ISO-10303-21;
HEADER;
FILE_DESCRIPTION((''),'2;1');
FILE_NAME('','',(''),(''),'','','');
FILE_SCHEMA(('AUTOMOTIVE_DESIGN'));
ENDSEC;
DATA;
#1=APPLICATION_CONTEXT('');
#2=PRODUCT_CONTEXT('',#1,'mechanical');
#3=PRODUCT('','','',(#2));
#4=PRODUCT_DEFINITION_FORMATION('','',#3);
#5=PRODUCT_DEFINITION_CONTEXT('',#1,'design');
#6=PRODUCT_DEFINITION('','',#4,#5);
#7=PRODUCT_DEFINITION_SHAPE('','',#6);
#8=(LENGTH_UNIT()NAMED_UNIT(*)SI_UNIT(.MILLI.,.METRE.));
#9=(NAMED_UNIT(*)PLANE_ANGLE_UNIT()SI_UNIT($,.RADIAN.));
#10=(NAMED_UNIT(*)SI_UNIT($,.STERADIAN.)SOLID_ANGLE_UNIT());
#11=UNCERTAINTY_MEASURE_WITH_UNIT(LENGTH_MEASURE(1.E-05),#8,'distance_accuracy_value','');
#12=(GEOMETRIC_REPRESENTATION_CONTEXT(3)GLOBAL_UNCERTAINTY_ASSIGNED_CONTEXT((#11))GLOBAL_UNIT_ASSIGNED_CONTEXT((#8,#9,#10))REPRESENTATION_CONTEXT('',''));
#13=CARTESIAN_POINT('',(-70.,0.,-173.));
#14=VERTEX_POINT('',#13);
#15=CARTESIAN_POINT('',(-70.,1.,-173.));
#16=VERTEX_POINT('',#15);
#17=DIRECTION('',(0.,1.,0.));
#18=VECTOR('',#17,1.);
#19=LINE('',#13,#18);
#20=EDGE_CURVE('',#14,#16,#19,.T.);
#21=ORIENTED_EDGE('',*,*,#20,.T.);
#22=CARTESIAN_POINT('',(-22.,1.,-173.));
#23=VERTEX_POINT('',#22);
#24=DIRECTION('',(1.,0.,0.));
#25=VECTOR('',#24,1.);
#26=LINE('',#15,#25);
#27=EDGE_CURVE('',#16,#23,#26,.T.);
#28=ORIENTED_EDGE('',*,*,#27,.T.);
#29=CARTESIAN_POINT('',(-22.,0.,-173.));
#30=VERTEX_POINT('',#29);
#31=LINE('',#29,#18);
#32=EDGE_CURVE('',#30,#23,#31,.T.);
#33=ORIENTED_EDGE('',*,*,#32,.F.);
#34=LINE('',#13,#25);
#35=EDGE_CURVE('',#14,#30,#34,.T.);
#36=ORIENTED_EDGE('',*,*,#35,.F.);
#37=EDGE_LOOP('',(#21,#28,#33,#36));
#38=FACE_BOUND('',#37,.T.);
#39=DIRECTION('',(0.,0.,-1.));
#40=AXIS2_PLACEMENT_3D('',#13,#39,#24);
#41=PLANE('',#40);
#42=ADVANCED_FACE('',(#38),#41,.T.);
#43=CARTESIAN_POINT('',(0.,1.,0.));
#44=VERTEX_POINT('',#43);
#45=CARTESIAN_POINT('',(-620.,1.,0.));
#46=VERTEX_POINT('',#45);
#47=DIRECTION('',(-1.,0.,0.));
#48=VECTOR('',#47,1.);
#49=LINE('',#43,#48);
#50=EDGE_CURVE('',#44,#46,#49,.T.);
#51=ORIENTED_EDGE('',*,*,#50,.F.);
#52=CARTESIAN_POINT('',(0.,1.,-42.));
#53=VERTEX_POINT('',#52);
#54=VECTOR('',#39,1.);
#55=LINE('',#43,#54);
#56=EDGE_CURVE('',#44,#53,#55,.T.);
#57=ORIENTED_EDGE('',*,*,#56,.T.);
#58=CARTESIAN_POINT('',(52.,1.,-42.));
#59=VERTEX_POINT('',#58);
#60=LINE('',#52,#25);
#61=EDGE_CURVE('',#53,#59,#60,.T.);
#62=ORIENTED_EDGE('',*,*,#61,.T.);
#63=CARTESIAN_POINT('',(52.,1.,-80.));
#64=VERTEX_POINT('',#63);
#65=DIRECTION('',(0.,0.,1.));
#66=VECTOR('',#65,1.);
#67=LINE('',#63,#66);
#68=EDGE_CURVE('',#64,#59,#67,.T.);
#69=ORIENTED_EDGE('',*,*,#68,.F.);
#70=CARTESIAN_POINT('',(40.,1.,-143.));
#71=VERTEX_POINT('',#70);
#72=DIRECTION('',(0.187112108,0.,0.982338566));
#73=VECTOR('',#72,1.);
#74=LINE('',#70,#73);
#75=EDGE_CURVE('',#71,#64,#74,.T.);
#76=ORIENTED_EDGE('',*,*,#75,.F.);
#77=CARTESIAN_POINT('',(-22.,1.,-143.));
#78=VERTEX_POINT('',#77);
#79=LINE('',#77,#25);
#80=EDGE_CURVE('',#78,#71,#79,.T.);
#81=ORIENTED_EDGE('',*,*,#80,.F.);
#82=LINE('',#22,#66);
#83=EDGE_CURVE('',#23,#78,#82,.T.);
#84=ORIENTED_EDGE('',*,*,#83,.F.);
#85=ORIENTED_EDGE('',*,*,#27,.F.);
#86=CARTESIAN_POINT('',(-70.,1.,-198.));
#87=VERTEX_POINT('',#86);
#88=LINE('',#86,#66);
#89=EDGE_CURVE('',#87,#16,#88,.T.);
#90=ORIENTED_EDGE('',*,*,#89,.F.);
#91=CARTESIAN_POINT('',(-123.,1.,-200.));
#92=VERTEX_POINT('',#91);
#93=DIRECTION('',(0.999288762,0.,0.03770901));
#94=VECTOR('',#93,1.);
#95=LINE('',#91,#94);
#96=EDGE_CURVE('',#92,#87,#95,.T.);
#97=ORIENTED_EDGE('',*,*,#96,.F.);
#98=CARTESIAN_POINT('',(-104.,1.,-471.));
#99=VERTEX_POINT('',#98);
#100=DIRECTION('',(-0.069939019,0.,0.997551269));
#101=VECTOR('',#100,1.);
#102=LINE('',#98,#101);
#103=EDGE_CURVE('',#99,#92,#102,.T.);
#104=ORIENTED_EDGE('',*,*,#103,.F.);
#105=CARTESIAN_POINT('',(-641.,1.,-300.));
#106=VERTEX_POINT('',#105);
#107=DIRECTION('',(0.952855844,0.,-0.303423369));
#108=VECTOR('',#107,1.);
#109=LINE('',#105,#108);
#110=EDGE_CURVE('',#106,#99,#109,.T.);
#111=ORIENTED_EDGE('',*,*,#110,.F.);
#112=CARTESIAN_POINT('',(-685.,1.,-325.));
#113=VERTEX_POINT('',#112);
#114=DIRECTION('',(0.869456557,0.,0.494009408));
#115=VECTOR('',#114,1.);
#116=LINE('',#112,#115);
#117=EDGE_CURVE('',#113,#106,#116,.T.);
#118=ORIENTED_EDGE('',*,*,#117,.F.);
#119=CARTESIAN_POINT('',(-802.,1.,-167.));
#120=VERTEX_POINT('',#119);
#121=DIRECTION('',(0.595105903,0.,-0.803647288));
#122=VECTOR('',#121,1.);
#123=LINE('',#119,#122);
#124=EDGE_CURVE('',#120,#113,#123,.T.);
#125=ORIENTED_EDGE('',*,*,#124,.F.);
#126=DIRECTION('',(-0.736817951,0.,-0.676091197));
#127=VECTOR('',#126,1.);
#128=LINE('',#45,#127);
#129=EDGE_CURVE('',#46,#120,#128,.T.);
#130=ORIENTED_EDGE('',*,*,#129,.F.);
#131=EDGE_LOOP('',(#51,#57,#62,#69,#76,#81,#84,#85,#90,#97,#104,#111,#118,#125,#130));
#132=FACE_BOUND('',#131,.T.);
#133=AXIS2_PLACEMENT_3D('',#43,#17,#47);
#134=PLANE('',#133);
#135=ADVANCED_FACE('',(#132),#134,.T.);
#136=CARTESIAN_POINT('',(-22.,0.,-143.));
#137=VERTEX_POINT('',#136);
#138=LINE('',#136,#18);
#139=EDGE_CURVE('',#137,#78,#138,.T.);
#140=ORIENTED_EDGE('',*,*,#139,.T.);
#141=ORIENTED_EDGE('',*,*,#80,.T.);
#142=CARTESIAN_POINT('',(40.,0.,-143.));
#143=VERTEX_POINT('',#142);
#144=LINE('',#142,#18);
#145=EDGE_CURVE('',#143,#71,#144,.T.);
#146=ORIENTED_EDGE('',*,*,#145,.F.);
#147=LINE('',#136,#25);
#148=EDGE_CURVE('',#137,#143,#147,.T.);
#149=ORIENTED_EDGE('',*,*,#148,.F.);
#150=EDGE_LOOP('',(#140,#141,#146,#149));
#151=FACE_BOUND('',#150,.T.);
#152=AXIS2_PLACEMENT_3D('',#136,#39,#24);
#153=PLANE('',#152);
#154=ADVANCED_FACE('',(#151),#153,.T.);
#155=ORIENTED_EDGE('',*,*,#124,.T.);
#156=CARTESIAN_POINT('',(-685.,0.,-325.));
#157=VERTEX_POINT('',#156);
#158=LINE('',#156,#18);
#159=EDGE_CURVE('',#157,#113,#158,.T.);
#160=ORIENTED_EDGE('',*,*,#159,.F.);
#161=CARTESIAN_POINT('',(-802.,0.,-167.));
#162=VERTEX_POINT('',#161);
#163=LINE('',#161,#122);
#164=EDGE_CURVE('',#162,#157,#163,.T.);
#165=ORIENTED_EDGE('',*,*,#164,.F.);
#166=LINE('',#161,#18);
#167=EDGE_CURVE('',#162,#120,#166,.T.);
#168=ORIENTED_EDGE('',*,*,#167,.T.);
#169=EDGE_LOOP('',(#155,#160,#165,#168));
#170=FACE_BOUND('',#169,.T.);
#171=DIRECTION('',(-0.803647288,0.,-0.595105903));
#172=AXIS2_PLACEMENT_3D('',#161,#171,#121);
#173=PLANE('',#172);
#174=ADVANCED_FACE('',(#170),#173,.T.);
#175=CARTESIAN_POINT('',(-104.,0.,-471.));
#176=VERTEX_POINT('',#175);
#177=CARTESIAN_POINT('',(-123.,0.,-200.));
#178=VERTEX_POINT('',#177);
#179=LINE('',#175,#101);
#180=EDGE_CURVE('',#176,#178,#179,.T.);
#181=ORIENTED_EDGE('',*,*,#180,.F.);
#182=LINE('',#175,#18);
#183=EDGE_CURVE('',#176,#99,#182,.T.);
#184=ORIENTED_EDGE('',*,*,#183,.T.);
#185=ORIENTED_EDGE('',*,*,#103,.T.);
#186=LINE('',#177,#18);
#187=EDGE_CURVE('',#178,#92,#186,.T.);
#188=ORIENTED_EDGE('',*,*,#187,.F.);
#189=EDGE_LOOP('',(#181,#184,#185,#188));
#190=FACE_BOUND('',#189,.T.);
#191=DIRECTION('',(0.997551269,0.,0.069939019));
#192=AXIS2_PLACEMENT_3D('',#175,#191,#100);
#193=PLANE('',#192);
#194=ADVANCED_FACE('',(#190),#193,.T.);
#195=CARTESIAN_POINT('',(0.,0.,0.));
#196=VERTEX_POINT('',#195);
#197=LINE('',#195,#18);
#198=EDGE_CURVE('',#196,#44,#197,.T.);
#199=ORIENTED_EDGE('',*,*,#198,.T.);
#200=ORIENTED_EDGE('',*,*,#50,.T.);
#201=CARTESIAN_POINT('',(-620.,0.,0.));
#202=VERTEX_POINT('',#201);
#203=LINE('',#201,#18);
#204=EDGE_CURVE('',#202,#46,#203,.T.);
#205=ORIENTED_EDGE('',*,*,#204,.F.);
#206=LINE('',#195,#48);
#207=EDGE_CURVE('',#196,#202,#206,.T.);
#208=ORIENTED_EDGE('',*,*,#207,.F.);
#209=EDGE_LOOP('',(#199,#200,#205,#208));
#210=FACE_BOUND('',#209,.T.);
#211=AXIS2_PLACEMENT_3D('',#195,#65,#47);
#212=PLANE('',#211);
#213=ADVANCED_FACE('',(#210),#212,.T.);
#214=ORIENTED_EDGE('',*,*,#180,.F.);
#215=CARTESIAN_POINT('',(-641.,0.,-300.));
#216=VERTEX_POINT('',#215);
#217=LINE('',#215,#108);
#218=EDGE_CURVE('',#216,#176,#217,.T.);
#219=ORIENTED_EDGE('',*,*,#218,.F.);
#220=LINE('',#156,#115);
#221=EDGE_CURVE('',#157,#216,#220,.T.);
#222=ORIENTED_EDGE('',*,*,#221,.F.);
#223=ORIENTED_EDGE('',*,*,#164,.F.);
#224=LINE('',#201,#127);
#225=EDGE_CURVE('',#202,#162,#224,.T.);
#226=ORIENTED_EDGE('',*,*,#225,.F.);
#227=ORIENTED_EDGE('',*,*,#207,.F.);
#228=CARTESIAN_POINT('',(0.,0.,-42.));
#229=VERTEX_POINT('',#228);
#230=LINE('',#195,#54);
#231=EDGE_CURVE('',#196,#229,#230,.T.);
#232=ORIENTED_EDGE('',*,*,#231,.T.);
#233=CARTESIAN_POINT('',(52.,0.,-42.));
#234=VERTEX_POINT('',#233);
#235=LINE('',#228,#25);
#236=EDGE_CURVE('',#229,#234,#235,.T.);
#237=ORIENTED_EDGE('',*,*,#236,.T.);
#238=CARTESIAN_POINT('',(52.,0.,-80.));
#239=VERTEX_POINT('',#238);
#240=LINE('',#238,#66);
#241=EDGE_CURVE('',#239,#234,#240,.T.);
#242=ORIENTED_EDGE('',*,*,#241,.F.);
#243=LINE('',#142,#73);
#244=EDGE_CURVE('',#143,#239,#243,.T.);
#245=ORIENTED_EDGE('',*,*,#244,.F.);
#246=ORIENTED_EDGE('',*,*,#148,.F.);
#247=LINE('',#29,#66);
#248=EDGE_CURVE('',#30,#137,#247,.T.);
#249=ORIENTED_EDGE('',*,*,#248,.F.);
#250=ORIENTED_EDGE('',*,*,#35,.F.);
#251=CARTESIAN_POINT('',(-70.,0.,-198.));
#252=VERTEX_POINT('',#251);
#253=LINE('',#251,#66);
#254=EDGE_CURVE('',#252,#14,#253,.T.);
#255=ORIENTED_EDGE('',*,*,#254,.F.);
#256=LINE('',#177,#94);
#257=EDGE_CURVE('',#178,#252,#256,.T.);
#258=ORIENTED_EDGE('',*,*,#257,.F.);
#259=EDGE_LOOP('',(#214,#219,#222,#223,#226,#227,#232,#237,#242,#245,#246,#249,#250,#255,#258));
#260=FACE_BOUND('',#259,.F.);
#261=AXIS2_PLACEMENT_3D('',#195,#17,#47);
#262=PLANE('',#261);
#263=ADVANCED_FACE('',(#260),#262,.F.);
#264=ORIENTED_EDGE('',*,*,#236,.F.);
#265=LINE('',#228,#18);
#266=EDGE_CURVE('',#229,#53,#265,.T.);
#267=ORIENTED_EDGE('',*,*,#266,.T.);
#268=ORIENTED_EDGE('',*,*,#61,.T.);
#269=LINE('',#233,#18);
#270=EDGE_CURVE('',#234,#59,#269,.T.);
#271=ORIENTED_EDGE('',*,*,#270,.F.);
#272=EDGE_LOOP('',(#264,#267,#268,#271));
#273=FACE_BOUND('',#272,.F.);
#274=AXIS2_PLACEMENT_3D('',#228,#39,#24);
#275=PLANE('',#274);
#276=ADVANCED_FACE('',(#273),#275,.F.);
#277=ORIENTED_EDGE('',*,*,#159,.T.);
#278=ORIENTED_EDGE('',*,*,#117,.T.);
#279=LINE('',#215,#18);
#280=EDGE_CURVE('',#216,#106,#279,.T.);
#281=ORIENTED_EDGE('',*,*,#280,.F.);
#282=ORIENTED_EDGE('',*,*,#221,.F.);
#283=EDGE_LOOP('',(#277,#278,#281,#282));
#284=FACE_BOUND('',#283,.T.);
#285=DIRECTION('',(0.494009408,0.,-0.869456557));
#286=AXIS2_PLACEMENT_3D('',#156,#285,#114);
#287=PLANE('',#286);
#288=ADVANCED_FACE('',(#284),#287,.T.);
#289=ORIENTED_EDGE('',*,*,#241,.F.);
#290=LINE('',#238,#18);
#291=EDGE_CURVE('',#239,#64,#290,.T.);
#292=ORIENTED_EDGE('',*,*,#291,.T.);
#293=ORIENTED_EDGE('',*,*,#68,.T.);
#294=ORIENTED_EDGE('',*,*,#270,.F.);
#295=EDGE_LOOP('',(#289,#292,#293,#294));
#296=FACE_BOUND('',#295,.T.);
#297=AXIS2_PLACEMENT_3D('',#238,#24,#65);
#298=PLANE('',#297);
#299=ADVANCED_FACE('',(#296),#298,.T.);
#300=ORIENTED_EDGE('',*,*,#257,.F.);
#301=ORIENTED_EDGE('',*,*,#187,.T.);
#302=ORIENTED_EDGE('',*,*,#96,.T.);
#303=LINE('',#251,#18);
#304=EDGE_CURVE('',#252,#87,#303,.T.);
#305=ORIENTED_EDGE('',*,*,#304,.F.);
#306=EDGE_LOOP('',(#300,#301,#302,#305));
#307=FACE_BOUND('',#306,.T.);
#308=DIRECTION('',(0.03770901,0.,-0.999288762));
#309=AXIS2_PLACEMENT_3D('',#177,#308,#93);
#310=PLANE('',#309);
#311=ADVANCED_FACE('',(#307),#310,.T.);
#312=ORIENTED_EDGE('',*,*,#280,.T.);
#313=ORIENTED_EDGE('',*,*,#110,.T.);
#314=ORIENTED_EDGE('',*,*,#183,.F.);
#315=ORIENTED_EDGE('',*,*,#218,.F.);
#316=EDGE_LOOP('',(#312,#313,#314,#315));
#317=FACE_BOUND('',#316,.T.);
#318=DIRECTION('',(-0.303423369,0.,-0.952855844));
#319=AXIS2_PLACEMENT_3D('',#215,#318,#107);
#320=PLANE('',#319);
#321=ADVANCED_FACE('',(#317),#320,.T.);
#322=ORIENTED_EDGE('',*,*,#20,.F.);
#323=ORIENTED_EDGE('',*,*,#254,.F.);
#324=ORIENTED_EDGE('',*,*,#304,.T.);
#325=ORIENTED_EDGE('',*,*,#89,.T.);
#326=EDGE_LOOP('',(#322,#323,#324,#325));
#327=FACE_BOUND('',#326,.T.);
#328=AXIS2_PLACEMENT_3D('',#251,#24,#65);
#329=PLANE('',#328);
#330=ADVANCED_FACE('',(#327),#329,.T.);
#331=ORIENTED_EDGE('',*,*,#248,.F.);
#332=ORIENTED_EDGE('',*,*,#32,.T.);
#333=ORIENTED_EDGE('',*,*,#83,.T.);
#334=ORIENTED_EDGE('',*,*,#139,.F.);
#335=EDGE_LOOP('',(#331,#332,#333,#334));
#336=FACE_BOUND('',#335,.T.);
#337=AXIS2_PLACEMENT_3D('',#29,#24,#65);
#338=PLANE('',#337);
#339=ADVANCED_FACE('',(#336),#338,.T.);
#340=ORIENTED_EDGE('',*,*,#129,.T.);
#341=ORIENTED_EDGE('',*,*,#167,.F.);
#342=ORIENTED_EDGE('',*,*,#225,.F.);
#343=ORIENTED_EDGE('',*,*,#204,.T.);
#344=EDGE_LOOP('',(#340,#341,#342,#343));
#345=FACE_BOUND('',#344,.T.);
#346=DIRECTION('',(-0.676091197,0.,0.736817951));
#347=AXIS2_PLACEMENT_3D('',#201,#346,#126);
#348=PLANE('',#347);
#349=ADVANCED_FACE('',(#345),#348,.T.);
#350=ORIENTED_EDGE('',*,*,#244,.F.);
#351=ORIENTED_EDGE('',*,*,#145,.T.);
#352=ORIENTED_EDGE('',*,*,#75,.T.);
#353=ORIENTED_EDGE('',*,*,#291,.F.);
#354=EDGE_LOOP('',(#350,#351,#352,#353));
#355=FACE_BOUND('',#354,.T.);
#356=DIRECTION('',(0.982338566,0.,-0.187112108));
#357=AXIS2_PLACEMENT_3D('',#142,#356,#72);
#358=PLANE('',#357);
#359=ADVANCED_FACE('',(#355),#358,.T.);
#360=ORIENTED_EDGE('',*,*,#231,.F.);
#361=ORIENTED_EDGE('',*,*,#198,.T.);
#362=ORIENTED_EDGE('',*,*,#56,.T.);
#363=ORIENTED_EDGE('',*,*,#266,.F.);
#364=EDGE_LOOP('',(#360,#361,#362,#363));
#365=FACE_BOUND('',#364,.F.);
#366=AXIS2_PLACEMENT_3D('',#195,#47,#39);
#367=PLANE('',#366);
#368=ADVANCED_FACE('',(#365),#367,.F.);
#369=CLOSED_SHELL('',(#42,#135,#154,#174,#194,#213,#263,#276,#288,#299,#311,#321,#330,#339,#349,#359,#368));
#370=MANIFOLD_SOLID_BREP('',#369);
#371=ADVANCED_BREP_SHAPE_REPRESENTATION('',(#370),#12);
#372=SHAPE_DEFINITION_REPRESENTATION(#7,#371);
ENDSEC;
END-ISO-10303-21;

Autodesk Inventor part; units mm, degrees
ref_plane "YZ Plane" through (0, 0, 0) normal (1, 0, 0) x (0, 1, 0)
ref_plane "XZ Plane" through (0, 0, 0) normal (0, 1, 0) x (-1, 0, 0)
ref_plane "XY Plane" through (0, 0, 0) normal (0, 0, 1) x (1, 0, 0)
sketch "Sketch1" plane through (0, 0, 0) normal (0, 1, 0) x (-1, 0, 0)
  line L0 (0, 0) -> (620, 0)
  line L1 (620, 0) -> (802, -167)
  line L2 (802, -167) -> (685, -325)
  line L3 (685, -325) -> (641, -300)
  line L4 (641, -300) -> (104, -471)
  line L5 (104, -471) -> (123, -200)
  line L6 (123, -200) -> (70, -198)
  line L7 (70, -198) -> (70, -173)
  line L8 (70, -173) -> (22, -173)
  line L9 (22, -173) -> (22, -143)
  line L10 (22, -143) -> (-40, -143)
  line L11 (-40, -143) -> (-52, -80)
  line L12 (-52, -80) -> (-52, -42)
  line L13 (0, 0) -> (0, -42)
  line L14 (0, -42) -> (-52, -42)
  dimension "d0" = 620
  dimension "d1" = 802
  dimension "d2" = 167
  dimension "d3" = 685
  dimension "d4" = 325
  dimension "d5" = 641
  dimension "d6" = 300
  dimension "d7" = 104
  dimension "d8" = 471
  dimension "d9" = 123
  dimension "d10" = 200
  dimension "d11" = 70
  dimension "d12" = 198
  dimension "d13" = 173
  dimension "d14" = 22
  dimension "d15" = 143
  dimension "d16" = 40
  dimension "d17" = 80
  dimension "d18" = 52
  dimension "d19" = 42
extrude "Extrusion1" add sketch "Sketch1" along normal blind 1
properties part number "Contracted_profile"
